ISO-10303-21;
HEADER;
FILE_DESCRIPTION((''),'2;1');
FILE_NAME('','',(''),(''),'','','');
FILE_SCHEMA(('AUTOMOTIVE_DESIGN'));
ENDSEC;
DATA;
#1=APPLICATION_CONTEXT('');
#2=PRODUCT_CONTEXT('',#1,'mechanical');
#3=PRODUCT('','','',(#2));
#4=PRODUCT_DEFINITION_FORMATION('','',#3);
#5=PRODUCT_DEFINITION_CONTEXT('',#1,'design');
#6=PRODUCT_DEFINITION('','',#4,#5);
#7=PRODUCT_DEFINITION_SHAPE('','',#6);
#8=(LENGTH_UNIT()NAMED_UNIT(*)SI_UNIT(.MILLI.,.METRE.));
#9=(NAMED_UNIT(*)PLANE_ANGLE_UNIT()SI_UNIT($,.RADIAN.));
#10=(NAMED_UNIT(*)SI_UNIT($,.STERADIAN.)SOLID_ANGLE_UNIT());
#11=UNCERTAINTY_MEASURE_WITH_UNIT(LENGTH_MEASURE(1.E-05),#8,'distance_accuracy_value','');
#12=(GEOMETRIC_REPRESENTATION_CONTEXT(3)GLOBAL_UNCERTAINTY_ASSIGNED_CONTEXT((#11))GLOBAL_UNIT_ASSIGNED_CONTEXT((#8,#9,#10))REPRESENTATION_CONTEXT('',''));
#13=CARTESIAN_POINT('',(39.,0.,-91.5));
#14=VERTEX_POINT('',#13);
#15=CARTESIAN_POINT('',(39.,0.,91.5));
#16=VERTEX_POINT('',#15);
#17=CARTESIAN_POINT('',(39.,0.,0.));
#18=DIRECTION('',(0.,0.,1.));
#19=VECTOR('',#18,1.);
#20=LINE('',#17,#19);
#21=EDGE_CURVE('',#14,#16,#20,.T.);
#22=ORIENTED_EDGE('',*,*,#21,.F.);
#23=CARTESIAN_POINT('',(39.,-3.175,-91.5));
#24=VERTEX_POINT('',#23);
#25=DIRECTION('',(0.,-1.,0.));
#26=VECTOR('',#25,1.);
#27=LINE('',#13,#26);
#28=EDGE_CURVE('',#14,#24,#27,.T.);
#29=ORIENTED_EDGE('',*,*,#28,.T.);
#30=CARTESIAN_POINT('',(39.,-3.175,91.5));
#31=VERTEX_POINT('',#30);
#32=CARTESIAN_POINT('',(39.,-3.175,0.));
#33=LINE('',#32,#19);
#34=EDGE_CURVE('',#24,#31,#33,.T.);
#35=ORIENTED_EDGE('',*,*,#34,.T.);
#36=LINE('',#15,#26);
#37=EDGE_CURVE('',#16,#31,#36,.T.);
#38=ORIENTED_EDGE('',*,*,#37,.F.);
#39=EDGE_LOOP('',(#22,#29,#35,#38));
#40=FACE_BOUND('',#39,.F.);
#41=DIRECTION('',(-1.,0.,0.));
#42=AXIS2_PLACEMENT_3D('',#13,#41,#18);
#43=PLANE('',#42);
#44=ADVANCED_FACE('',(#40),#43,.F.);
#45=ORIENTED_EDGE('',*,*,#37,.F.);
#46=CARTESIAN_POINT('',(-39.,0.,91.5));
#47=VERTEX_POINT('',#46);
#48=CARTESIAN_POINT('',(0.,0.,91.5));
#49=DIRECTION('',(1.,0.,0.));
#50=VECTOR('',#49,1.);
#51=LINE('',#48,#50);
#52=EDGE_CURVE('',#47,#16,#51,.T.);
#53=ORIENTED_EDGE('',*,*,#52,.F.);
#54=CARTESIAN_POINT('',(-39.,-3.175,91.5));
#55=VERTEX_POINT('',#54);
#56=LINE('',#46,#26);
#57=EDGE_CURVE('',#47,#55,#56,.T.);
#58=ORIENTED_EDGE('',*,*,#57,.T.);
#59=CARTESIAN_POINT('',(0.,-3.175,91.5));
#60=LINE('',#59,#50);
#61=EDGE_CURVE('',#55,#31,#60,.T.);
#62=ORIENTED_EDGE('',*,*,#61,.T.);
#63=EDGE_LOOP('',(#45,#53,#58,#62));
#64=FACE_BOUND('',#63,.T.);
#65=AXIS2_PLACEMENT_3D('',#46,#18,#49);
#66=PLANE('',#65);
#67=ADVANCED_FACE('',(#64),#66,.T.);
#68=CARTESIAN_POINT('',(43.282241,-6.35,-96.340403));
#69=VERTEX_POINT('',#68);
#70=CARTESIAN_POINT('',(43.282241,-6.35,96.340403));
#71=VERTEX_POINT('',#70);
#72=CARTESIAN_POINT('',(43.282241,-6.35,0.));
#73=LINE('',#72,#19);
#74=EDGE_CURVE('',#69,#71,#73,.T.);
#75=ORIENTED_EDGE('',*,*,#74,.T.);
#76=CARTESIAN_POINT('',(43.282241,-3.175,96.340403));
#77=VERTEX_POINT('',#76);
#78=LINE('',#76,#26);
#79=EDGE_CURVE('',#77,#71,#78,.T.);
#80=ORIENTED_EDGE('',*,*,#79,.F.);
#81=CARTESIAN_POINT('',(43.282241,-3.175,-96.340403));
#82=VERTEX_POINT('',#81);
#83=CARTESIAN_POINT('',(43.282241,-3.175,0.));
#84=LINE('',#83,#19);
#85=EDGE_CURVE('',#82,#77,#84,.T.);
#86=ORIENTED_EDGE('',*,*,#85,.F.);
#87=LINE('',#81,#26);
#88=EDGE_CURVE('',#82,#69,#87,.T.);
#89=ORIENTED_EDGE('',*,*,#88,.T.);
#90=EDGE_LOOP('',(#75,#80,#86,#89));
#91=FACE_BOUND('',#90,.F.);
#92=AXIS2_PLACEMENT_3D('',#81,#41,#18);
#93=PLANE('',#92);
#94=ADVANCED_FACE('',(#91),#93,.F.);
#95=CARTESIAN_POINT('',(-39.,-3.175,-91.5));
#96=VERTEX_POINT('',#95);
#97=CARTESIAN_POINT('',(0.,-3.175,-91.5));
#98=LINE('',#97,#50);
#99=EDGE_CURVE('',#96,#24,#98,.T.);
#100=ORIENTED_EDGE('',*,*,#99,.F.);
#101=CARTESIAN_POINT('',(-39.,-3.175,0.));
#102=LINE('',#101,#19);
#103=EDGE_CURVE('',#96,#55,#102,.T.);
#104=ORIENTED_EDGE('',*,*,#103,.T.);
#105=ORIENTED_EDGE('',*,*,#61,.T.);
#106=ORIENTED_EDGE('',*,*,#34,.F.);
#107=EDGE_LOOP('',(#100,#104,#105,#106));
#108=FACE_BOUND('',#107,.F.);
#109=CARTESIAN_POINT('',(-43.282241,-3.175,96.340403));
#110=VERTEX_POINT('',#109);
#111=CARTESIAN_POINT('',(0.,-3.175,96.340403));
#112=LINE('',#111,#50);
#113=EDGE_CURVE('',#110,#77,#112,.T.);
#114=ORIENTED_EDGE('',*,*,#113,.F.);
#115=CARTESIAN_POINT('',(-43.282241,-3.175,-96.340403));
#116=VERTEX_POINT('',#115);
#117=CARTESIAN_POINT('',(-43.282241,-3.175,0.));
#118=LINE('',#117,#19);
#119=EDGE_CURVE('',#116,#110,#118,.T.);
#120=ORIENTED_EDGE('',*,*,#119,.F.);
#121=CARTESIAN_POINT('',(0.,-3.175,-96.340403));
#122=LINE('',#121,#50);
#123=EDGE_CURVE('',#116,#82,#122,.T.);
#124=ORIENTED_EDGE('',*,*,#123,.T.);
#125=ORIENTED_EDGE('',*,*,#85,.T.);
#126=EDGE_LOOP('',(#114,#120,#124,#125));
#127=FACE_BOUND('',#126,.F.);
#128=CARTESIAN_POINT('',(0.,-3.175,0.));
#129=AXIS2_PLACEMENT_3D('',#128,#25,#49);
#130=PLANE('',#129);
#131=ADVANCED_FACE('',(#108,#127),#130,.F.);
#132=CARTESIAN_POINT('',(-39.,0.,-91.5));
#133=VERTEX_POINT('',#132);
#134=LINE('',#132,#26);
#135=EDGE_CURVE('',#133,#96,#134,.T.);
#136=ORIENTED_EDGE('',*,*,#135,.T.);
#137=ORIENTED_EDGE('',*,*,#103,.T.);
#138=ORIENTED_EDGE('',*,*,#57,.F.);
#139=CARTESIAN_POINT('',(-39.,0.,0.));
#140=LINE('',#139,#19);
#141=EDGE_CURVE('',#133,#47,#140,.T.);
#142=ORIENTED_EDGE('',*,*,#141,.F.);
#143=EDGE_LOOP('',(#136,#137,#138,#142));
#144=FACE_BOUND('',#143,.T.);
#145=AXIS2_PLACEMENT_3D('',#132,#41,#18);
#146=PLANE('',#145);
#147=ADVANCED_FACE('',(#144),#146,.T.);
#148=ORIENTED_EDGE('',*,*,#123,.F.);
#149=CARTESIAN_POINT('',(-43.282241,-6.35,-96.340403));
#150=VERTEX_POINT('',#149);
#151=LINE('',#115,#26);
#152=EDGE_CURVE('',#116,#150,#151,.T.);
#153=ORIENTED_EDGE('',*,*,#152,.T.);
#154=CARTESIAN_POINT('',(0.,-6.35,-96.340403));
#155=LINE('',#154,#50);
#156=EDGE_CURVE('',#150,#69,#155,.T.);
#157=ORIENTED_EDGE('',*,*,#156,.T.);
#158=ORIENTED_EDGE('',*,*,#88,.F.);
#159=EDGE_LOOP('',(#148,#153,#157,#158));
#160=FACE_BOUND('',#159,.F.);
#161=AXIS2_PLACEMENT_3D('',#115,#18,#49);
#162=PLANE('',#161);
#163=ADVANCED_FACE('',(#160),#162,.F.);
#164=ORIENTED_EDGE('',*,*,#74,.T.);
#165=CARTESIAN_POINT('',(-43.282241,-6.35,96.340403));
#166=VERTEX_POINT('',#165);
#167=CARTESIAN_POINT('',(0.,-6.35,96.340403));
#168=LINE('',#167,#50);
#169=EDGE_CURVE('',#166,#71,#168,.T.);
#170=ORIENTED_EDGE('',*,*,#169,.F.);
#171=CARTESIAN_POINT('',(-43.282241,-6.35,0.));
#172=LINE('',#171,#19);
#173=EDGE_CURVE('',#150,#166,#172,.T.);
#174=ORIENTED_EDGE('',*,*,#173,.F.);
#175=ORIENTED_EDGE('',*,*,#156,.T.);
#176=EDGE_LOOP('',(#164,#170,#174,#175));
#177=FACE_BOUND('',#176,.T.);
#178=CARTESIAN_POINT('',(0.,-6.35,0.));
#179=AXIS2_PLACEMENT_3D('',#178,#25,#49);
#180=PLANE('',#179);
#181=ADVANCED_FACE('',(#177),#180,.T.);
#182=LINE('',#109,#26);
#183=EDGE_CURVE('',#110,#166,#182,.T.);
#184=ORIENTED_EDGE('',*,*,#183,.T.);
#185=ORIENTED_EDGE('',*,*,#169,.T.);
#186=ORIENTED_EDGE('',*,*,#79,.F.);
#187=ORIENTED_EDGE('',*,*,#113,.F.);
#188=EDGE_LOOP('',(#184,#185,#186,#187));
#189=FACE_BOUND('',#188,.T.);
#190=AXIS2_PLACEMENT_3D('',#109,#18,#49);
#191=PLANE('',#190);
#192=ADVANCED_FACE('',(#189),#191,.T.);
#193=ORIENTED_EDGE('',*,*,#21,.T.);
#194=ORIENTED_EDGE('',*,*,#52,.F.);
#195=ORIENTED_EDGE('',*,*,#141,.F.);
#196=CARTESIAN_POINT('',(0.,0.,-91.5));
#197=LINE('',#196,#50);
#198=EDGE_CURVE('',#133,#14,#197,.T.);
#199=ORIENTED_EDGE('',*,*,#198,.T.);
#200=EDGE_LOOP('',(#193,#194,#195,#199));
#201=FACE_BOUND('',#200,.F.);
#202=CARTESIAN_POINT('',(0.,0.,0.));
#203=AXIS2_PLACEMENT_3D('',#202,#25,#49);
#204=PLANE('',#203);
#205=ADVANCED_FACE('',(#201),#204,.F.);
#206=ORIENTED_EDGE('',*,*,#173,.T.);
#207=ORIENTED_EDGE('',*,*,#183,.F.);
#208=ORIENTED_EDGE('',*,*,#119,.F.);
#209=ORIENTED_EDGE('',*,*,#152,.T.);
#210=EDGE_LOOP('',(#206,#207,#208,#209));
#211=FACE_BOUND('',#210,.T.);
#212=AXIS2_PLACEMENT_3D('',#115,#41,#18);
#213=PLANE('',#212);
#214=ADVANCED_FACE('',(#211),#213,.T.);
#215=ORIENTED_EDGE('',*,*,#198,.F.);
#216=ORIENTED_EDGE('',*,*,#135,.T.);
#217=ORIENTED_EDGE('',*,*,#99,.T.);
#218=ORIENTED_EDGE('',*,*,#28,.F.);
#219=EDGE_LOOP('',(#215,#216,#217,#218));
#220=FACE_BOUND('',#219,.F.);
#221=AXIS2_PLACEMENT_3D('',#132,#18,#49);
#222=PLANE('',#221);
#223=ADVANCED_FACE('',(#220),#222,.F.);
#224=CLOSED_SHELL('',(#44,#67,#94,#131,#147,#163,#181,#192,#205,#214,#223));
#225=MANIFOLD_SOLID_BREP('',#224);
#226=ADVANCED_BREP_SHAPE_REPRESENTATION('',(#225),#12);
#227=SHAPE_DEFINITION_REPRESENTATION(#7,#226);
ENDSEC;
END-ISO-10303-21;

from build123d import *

# Parameters (mm, degrees)
F0_W     = 78
F0_H     = 183
F1_DEPTH = 3.175
F2_W     = 86.564482
F2_H     = 192.680806
F3_DEPTH = 3.175


with BuildPart() as f1:
    # F0 (on Front) → F1 (new body)
    with BuildSketch(Plane.XZ):
        Rectangle(F0_W, F0_H)
    extrude(amount=F1_DEPTH)

    # F2 (on face) → F3 (join)
    with BuildSketch(Plane.XZ.offset(3.175)):
        Rectangle(F2_W, F2_H)
    extrude(amount=F3_DEPTH)


solid = f1.part
